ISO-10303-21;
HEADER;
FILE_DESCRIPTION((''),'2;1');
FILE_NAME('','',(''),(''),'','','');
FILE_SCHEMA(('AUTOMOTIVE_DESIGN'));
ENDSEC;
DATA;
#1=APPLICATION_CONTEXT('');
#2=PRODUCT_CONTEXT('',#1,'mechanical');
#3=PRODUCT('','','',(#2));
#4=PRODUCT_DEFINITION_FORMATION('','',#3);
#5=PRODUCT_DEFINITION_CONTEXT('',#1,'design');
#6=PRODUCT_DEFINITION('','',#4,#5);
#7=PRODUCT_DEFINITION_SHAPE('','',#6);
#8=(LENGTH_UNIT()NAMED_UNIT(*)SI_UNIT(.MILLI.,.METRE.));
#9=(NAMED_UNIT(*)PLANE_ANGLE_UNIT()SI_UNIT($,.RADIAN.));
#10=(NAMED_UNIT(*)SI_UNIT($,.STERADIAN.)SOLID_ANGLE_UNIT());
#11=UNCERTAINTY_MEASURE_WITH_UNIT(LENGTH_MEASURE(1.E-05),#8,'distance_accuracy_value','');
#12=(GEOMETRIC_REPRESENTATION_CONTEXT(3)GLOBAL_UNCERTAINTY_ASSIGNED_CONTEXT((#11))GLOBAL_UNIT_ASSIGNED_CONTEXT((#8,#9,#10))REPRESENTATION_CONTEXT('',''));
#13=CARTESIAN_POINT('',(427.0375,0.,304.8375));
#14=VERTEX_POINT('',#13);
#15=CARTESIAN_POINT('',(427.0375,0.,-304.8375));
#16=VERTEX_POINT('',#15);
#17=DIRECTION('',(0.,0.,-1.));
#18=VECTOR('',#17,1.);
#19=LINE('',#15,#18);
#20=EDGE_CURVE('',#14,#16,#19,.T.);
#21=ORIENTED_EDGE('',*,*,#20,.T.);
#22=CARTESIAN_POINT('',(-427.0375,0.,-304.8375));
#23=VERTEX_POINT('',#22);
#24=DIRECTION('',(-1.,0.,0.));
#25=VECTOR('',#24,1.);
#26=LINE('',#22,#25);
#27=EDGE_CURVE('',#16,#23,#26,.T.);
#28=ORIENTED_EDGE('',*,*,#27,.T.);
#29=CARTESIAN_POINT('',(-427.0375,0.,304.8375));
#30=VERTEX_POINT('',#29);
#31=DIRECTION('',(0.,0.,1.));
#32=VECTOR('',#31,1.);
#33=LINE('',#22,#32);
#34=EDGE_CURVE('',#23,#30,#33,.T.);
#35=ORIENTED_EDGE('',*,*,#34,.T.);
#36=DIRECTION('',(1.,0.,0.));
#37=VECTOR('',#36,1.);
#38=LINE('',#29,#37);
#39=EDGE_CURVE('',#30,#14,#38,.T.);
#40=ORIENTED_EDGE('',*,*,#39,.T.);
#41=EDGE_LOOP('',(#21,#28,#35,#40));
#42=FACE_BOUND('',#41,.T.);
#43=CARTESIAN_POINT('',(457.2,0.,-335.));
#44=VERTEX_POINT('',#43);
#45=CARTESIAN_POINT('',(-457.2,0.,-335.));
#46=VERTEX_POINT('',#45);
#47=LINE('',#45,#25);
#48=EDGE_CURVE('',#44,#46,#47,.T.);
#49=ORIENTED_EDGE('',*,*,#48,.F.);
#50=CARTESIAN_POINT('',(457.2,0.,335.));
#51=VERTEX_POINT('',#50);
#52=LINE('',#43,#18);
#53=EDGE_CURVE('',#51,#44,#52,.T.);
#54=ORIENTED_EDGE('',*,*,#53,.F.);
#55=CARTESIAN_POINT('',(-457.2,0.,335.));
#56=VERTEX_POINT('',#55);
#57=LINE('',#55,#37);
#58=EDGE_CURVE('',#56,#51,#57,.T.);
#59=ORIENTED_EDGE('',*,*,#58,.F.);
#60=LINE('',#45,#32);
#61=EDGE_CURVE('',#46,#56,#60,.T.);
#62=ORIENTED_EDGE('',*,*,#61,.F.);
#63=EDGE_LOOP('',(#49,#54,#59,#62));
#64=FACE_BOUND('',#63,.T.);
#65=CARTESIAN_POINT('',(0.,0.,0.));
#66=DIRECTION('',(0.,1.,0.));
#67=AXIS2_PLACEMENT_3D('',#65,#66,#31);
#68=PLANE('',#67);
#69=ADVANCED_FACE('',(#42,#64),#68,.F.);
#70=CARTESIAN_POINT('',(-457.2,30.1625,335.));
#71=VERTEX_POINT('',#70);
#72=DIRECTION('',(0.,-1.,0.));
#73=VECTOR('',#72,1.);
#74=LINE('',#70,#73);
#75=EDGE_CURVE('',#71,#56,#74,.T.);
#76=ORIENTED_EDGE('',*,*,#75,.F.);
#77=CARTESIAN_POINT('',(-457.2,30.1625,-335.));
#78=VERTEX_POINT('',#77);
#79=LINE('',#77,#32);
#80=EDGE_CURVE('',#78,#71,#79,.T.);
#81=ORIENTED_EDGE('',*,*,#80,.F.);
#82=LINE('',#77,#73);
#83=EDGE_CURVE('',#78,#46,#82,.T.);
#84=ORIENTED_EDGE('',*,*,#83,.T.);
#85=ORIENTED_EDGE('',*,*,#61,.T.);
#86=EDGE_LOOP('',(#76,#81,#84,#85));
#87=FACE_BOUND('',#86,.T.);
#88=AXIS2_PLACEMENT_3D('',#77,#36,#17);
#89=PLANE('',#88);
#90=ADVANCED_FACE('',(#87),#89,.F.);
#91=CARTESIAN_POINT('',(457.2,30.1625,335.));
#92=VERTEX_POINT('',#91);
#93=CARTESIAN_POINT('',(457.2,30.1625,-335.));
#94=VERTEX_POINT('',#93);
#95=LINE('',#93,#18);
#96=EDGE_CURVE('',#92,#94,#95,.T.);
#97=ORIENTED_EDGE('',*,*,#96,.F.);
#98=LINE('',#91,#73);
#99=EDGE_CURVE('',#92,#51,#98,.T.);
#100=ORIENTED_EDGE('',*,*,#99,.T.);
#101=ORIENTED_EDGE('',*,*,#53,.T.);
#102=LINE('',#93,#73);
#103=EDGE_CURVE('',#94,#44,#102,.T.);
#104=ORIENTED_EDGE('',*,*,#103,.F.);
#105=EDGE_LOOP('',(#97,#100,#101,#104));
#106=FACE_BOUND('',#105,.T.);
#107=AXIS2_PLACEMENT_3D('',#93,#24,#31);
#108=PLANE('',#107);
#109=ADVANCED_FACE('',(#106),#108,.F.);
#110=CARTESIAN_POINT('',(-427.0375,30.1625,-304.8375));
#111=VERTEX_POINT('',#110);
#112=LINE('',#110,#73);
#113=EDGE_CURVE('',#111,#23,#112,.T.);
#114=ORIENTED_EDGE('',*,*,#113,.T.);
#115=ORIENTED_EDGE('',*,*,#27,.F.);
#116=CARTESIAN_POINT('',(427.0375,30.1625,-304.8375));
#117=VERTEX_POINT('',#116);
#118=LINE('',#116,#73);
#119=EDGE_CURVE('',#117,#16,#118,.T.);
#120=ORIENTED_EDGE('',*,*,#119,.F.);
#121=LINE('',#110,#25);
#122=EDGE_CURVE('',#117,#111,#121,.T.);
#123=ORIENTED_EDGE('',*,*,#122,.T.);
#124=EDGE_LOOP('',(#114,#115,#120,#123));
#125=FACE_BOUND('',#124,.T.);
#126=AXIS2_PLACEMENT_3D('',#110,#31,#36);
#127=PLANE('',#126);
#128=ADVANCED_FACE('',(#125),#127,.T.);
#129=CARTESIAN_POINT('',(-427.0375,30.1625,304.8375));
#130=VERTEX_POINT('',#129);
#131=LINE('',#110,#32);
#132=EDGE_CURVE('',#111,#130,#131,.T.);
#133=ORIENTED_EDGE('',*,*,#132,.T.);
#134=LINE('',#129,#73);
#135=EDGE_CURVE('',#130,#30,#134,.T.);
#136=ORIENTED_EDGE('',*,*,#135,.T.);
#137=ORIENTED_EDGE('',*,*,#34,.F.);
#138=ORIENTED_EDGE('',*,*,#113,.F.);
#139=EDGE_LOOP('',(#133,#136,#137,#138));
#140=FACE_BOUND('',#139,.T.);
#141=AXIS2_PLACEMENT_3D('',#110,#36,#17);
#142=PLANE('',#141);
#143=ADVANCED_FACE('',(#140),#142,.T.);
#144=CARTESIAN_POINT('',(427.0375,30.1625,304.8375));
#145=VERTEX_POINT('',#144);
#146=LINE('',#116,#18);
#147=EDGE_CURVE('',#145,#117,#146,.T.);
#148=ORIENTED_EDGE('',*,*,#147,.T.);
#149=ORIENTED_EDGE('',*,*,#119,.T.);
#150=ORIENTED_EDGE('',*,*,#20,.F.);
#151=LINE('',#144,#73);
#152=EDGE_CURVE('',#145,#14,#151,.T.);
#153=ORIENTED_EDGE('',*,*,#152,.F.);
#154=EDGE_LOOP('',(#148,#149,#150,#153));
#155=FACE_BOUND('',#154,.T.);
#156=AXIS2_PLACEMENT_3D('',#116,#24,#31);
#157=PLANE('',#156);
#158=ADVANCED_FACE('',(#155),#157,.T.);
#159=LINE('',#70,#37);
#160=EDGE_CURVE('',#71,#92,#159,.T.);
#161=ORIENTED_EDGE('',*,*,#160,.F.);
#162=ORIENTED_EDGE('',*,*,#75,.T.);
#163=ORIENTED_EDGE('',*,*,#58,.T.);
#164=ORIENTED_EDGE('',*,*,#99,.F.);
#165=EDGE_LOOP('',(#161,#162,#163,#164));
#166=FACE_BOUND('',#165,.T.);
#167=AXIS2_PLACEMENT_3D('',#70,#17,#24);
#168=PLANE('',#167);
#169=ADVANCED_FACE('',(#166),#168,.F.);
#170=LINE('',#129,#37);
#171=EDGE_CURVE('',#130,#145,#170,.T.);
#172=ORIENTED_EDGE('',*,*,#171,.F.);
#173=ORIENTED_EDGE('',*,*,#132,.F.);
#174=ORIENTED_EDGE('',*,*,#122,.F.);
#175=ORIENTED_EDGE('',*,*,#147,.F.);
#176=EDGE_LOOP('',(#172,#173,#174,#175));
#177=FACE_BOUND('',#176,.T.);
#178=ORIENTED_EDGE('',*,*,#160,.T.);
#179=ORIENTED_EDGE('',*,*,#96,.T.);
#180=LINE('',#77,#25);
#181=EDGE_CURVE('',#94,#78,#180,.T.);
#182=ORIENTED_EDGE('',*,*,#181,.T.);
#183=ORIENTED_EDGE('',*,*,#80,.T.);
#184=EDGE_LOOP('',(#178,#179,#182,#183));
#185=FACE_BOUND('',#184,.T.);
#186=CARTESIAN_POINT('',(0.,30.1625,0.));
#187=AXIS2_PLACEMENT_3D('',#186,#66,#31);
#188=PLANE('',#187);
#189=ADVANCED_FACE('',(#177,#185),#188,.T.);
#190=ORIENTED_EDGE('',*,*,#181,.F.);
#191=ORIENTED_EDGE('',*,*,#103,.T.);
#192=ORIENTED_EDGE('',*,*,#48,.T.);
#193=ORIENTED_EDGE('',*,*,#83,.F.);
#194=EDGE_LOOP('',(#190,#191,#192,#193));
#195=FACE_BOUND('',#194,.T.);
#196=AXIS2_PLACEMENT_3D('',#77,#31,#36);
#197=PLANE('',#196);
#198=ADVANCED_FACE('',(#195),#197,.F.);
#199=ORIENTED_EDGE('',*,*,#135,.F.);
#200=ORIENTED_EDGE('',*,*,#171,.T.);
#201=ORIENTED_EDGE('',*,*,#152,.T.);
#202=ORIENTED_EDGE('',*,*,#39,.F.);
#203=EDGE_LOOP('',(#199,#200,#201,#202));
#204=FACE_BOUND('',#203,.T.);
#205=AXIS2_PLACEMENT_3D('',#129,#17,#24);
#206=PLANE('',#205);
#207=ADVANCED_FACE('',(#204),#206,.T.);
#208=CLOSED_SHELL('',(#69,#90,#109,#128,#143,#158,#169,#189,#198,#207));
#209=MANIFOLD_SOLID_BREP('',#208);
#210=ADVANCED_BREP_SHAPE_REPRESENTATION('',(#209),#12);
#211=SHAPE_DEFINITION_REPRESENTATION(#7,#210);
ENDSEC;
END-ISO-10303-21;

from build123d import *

# Parameters (mm, degrees)
SKETCH1_W           = 914.4
SKETCH1_H           = 670
SKETCH1_W_2         = 854.075
SKETCH1_H_2         = 609.675
BOSS_EXTRUDE1_DEPTH = 30.1625


with BuildPart() as part:
    # Sketch1 → Boss-Extrude1 (new body)
    with BuildSketch(Plane(origin=(0, 0, 0), x_dir=(1, 0, 0), z_dir=(0, 1, 0))):
        Rectangle(SKETCH1_W, SKETCH1_H)
        Rectangle(SKETCH1_W_2, SKETCH1_H_2, mode=Mode.SUBTRACT)
    extrude(amount=BOSS_EXTRUDE1_DEPTH)


solid = part.part
